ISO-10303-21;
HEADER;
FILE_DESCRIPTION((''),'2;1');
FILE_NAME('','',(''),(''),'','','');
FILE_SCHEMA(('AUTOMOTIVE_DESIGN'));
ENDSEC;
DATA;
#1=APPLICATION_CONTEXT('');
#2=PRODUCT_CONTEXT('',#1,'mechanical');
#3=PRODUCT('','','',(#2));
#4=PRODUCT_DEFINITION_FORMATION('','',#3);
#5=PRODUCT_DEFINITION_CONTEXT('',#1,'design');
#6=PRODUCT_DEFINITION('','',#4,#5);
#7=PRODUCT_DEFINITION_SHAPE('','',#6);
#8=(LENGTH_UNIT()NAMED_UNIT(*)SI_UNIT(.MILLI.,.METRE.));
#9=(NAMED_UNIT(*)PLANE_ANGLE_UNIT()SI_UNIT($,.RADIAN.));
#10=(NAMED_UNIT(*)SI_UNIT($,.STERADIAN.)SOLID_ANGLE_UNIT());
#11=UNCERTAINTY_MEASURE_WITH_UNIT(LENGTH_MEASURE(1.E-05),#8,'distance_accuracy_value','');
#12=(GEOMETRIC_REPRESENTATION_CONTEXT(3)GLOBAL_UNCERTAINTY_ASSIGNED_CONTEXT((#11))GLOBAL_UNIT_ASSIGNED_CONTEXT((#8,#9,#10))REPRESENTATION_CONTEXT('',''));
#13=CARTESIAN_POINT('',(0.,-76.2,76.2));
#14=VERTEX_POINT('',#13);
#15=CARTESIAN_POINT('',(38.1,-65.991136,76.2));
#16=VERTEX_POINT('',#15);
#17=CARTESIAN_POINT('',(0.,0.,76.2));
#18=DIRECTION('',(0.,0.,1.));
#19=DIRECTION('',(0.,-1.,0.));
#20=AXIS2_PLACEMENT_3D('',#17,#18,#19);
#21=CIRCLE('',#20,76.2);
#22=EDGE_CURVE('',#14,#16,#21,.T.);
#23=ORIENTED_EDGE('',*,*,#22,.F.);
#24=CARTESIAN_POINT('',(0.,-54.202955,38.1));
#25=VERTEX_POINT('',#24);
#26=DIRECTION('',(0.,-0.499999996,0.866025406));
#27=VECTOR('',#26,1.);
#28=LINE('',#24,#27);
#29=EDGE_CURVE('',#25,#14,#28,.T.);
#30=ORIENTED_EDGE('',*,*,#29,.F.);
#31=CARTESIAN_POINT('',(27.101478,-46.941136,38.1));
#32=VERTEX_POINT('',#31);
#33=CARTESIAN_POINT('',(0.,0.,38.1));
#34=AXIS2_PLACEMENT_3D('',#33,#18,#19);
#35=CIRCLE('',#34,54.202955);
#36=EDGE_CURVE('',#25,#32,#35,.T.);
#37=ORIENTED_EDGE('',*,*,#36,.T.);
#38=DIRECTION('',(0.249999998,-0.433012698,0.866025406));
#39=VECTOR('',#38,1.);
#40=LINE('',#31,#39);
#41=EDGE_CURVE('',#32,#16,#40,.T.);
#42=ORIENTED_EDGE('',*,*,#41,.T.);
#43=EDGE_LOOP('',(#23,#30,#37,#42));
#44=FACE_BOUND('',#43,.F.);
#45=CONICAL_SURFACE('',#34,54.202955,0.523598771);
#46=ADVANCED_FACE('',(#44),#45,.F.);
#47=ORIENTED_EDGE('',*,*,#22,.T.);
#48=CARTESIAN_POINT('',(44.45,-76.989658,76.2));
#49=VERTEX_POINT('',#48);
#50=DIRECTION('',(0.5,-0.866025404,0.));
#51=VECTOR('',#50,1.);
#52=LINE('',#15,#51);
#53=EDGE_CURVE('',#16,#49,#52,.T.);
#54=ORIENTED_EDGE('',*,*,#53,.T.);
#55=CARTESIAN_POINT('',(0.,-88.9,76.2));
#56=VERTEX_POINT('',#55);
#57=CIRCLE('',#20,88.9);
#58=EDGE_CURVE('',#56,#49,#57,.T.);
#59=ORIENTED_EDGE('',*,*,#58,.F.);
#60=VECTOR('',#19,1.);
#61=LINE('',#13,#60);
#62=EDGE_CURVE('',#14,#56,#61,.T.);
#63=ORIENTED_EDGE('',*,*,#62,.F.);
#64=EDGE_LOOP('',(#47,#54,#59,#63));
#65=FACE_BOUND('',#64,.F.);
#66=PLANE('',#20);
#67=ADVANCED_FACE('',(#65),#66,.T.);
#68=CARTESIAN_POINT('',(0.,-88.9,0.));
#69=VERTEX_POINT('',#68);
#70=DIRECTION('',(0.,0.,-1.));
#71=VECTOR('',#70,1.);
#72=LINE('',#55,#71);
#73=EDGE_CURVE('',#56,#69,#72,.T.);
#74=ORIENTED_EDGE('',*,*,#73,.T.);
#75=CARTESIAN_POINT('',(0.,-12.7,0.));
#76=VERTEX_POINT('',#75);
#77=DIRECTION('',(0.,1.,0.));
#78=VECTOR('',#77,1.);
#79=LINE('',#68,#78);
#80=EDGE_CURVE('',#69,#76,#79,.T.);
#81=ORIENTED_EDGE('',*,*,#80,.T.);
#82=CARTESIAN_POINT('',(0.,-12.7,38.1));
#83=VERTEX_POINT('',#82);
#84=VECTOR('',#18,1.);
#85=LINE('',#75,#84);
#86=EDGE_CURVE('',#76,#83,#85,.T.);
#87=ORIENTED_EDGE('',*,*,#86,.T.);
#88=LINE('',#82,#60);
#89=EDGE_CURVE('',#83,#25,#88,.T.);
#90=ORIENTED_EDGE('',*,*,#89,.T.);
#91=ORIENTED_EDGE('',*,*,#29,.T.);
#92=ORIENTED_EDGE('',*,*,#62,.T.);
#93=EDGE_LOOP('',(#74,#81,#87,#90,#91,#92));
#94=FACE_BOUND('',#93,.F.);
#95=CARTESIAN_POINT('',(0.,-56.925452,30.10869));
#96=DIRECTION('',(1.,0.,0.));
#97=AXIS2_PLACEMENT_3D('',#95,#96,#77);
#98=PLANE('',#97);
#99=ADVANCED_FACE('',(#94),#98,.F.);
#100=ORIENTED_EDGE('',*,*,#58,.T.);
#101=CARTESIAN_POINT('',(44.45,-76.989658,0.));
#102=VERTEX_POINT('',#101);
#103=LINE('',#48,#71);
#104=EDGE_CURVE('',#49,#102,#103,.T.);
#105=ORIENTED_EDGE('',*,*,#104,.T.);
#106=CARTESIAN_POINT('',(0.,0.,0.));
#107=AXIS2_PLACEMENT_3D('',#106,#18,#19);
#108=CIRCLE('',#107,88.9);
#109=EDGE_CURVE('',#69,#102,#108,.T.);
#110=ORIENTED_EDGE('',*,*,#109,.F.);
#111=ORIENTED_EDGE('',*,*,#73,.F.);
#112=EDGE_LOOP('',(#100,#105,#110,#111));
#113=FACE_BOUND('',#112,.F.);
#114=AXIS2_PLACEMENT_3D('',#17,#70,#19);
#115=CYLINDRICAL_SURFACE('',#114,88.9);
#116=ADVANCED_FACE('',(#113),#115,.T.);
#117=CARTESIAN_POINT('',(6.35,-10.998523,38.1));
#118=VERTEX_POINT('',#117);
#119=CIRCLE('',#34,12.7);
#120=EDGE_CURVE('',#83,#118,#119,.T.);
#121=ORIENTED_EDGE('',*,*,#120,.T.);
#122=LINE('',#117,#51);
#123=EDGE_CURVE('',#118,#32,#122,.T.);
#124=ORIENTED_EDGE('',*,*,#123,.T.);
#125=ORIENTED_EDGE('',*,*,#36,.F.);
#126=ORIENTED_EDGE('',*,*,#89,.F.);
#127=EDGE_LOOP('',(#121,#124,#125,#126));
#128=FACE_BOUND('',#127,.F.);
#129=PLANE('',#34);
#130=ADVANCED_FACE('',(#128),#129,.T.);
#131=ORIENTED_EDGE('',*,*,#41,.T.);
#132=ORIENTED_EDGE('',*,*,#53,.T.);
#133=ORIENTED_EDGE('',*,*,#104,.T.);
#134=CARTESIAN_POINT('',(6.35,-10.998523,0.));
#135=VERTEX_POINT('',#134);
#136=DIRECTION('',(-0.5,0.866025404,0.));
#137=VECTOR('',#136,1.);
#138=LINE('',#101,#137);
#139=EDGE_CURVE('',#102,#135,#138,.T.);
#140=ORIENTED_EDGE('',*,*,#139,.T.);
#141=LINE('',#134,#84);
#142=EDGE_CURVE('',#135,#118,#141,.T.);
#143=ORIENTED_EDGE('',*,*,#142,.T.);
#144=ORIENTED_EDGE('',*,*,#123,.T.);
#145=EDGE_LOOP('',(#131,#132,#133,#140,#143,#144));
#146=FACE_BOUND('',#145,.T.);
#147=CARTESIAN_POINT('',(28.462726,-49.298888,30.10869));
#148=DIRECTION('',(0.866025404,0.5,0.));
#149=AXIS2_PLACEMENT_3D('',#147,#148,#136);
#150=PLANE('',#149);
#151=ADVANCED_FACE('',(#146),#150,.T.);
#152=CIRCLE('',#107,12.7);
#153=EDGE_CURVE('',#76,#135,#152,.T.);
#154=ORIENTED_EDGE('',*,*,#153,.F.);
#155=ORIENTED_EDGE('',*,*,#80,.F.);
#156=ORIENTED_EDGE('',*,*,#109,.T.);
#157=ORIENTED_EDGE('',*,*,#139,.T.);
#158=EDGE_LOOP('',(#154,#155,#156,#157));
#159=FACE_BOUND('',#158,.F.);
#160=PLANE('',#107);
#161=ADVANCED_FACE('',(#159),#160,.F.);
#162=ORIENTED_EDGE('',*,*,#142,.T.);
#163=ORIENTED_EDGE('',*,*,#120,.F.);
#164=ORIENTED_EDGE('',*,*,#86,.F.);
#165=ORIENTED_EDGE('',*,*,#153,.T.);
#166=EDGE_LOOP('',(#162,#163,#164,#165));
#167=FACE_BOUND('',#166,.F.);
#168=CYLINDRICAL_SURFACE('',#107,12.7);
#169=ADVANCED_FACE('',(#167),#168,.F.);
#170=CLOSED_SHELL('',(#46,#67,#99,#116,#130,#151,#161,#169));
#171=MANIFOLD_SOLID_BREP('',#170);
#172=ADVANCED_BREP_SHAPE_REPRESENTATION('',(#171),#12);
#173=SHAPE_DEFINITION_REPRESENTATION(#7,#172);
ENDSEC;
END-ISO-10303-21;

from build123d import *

# Parameters (mm, degrees)
F1_ANGLE = 30


with BuildPart() as f1:
    # F0 (on Right) → F1 (revolve)
    with BuildSketch(Plane.YZ):
        Polygon((-88.9, 0), (-12.7, 0), (-12.7, 38.1), (-54.202955, 38.1), (-76.2, 76.2), (-88.9, 76.2), align=None)
    revolve(axis=Axis((0, 0, 21.067582), (0, 0, 1)), revolution_arc=F1_ANGLE)


solid = f1.part
